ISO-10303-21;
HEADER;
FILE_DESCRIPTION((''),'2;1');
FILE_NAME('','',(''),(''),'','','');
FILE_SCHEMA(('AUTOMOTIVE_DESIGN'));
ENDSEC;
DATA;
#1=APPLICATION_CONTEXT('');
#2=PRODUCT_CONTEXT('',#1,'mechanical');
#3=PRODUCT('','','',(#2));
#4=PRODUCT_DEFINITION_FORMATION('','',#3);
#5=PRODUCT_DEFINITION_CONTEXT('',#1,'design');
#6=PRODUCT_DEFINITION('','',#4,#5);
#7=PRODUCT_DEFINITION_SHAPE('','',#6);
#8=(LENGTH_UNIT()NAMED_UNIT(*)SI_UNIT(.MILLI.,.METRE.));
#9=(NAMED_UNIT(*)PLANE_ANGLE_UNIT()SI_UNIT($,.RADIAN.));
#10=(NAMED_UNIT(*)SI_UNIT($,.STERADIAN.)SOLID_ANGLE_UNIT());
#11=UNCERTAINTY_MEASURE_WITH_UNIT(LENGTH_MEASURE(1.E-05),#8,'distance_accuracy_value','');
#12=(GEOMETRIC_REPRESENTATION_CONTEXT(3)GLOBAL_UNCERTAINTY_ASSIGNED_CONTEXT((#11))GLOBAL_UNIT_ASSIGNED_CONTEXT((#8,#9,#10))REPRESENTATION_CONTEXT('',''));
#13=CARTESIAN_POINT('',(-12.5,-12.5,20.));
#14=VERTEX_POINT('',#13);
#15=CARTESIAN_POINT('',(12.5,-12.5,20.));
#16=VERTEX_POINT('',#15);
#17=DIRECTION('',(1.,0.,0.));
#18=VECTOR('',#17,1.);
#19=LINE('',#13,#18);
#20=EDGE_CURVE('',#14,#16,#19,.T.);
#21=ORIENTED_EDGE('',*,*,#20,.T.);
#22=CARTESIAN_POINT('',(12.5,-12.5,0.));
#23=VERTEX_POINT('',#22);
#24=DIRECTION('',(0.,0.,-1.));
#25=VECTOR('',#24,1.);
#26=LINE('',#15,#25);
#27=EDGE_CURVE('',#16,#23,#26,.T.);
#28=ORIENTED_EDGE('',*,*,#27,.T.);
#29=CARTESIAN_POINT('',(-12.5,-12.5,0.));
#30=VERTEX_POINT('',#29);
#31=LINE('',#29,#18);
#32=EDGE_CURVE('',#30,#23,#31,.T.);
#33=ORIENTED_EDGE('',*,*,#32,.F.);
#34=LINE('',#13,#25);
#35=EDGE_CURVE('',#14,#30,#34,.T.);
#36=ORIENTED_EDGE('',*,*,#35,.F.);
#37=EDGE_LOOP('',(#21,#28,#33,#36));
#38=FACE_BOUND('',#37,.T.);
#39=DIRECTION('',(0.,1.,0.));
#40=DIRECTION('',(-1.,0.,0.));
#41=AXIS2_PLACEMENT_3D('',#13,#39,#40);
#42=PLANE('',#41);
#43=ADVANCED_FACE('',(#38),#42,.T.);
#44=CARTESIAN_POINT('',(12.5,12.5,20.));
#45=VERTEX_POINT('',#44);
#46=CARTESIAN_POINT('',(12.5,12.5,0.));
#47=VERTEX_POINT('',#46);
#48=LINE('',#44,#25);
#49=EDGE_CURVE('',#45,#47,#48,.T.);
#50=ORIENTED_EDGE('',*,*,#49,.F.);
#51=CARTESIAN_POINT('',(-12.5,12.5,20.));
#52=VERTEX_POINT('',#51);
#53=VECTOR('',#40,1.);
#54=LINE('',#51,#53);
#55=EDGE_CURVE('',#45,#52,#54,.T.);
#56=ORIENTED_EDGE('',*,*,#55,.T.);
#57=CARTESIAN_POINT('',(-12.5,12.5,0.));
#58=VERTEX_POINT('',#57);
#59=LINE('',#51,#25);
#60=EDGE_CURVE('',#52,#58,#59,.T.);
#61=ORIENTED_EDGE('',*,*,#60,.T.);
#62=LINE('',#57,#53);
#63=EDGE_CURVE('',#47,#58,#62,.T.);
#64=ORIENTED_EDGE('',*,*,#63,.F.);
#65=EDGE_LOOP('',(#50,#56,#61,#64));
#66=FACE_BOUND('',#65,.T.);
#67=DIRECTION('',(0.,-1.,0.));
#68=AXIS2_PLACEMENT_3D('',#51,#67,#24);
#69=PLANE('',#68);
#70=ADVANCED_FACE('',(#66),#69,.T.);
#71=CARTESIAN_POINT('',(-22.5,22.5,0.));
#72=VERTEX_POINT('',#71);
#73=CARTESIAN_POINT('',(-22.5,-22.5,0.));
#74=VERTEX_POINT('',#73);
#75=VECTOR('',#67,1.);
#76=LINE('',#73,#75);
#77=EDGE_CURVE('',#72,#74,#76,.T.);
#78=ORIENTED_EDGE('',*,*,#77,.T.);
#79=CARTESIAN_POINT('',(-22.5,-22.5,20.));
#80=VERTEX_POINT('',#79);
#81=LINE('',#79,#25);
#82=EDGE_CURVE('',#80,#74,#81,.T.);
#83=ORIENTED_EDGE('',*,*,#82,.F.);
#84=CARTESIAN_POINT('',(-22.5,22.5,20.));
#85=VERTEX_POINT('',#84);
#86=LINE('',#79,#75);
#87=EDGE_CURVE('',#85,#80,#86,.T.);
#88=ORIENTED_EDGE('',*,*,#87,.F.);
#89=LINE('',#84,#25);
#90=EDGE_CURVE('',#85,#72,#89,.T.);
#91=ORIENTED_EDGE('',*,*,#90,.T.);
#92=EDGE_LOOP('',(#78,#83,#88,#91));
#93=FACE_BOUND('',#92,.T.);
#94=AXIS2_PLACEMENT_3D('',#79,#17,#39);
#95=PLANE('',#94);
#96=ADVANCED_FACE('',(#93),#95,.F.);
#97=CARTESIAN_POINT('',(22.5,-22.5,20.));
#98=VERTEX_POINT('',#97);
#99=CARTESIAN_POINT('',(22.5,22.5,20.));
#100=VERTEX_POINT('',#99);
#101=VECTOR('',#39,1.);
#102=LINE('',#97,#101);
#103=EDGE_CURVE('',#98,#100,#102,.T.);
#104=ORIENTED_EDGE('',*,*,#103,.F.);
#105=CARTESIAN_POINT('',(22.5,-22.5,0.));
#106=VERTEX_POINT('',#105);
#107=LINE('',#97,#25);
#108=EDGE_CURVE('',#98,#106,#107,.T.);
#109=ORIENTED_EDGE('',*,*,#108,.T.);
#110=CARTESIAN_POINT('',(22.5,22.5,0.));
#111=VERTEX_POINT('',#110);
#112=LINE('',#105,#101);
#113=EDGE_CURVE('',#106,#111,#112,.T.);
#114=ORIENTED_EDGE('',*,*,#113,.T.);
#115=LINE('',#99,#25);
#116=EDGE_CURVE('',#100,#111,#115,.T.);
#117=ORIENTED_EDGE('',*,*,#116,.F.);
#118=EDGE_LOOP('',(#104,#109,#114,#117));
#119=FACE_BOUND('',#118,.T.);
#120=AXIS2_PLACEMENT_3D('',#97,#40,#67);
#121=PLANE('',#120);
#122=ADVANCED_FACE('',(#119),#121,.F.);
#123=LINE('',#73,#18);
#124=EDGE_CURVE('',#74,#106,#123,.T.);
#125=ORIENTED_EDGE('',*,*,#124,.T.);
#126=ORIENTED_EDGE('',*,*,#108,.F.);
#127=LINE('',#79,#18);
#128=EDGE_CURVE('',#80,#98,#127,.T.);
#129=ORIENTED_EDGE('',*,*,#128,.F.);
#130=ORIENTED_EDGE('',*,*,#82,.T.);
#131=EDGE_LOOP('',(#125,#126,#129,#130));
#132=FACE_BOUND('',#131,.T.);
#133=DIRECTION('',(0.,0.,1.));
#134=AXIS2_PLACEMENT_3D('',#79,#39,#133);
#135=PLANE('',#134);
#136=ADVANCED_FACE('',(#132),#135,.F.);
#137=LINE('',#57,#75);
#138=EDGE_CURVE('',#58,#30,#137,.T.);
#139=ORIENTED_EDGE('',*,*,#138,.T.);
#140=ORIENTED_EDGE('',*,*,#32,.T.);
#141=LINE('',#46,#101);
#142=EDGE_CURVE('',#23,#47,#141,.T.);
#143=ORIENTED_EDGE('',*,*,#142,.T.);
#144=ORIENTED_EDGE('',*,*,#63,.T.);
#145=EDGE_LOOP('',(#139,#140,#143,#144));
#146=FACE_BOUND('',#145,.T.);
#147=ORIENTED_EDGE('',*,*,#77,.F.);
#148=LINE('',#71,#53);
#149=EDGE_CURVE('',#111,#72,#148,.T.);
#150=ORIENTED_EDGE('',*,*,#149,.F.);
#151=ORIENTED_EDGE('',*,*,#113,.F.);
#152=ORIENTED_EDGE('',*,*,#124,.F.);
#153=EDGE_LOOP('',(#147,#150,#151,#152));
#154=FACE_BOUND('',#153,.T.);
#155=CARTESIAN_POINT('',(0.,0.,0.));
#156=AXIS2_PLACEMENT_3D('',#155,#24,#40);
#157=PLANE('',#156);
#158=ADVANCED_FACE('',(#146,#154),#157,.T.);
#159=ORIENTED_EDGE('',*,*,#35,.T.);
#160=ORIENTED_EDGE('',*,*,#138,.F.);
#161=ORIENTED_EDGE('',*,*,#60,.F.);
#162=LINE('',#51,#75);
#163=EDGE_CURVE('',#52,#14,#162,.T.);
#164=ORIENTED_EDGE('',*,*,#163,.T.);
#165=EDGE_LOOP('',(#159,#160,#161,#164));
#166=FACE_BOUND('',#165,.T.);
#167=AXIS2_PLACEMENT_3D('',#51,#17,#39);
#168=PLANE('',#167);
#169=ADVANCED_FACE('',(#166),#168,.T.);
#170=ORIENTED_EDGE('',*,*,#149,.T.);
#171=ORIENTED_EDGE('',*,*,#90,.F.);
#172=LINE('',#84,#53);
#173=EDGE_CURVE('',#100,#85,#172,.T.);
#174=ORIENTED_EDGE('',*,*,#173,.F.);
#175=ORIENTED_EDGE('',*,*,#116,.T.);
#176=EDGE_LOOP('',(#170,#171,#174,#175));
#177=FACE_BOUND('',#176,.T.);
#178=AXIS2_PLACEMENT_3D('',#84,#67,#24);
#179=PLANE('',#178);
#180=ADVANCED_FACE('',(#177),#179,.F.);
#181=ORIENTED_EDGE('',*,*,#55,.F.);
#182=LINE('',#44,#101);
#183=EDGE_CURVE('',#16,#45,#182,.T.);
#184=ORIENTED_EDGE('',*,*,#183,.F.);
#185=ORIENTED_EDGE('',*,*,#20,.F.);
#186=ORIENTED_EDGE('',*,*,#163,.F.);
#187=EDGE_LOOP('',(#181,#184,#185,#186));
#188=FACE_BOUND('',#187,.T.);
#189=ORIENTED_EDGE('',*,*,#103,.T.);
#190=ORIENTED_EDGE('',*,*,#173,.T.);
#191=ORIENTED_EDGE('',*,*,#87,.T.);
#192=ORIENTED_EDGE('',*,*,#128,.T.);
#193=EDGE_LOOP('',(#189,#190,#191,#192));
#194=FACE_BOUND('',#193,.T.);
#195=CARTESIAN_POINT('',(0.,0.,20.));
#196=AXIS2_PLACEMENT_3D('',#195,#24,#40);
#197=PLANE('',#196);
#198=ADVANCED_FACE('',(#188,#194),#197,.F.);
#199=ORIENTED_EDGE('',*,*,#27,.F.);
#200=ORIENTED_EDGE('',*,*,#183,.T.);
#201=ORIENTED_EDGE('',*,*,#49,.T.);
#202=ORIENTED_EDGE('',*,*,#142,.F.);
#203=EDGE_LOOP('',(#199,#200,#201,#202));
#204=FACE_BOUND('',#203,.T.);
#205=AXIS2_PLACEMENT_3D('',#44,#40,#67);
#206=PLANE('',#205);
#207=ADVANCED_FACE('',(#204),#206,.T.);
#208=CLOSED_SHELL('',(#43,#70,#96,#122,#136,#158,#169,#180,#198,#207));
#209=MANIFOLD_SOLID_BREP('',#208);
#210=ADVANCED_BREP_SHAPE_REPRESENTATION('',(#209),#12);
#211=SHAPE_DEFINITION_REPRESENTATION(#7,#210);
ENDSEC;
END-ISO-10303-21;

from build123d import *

# Parameters (mm, degrees)
SKETCH1_W           = 45
SKETCH1_H           = 45
SKETCH1_W_2         = 25
SKETCH1_H_2         = 25
BOSS_EXTRUDE1_DEPTH = 20


with BuildPart() as part:
    # Sketch1 → Boss-Extrude1 (new body)
    with BuildSketch(Plane.XY):
        Rectangle(SKETCH1_W, SKETCH1_H)
        Rectangle(SKETCH1_W_2, SKETCH1_H_2, mode=Mode.SUBTRACT)
    extrude(amount=BOSS_EXTRUDE1_DEPTH)


solid = part.part
